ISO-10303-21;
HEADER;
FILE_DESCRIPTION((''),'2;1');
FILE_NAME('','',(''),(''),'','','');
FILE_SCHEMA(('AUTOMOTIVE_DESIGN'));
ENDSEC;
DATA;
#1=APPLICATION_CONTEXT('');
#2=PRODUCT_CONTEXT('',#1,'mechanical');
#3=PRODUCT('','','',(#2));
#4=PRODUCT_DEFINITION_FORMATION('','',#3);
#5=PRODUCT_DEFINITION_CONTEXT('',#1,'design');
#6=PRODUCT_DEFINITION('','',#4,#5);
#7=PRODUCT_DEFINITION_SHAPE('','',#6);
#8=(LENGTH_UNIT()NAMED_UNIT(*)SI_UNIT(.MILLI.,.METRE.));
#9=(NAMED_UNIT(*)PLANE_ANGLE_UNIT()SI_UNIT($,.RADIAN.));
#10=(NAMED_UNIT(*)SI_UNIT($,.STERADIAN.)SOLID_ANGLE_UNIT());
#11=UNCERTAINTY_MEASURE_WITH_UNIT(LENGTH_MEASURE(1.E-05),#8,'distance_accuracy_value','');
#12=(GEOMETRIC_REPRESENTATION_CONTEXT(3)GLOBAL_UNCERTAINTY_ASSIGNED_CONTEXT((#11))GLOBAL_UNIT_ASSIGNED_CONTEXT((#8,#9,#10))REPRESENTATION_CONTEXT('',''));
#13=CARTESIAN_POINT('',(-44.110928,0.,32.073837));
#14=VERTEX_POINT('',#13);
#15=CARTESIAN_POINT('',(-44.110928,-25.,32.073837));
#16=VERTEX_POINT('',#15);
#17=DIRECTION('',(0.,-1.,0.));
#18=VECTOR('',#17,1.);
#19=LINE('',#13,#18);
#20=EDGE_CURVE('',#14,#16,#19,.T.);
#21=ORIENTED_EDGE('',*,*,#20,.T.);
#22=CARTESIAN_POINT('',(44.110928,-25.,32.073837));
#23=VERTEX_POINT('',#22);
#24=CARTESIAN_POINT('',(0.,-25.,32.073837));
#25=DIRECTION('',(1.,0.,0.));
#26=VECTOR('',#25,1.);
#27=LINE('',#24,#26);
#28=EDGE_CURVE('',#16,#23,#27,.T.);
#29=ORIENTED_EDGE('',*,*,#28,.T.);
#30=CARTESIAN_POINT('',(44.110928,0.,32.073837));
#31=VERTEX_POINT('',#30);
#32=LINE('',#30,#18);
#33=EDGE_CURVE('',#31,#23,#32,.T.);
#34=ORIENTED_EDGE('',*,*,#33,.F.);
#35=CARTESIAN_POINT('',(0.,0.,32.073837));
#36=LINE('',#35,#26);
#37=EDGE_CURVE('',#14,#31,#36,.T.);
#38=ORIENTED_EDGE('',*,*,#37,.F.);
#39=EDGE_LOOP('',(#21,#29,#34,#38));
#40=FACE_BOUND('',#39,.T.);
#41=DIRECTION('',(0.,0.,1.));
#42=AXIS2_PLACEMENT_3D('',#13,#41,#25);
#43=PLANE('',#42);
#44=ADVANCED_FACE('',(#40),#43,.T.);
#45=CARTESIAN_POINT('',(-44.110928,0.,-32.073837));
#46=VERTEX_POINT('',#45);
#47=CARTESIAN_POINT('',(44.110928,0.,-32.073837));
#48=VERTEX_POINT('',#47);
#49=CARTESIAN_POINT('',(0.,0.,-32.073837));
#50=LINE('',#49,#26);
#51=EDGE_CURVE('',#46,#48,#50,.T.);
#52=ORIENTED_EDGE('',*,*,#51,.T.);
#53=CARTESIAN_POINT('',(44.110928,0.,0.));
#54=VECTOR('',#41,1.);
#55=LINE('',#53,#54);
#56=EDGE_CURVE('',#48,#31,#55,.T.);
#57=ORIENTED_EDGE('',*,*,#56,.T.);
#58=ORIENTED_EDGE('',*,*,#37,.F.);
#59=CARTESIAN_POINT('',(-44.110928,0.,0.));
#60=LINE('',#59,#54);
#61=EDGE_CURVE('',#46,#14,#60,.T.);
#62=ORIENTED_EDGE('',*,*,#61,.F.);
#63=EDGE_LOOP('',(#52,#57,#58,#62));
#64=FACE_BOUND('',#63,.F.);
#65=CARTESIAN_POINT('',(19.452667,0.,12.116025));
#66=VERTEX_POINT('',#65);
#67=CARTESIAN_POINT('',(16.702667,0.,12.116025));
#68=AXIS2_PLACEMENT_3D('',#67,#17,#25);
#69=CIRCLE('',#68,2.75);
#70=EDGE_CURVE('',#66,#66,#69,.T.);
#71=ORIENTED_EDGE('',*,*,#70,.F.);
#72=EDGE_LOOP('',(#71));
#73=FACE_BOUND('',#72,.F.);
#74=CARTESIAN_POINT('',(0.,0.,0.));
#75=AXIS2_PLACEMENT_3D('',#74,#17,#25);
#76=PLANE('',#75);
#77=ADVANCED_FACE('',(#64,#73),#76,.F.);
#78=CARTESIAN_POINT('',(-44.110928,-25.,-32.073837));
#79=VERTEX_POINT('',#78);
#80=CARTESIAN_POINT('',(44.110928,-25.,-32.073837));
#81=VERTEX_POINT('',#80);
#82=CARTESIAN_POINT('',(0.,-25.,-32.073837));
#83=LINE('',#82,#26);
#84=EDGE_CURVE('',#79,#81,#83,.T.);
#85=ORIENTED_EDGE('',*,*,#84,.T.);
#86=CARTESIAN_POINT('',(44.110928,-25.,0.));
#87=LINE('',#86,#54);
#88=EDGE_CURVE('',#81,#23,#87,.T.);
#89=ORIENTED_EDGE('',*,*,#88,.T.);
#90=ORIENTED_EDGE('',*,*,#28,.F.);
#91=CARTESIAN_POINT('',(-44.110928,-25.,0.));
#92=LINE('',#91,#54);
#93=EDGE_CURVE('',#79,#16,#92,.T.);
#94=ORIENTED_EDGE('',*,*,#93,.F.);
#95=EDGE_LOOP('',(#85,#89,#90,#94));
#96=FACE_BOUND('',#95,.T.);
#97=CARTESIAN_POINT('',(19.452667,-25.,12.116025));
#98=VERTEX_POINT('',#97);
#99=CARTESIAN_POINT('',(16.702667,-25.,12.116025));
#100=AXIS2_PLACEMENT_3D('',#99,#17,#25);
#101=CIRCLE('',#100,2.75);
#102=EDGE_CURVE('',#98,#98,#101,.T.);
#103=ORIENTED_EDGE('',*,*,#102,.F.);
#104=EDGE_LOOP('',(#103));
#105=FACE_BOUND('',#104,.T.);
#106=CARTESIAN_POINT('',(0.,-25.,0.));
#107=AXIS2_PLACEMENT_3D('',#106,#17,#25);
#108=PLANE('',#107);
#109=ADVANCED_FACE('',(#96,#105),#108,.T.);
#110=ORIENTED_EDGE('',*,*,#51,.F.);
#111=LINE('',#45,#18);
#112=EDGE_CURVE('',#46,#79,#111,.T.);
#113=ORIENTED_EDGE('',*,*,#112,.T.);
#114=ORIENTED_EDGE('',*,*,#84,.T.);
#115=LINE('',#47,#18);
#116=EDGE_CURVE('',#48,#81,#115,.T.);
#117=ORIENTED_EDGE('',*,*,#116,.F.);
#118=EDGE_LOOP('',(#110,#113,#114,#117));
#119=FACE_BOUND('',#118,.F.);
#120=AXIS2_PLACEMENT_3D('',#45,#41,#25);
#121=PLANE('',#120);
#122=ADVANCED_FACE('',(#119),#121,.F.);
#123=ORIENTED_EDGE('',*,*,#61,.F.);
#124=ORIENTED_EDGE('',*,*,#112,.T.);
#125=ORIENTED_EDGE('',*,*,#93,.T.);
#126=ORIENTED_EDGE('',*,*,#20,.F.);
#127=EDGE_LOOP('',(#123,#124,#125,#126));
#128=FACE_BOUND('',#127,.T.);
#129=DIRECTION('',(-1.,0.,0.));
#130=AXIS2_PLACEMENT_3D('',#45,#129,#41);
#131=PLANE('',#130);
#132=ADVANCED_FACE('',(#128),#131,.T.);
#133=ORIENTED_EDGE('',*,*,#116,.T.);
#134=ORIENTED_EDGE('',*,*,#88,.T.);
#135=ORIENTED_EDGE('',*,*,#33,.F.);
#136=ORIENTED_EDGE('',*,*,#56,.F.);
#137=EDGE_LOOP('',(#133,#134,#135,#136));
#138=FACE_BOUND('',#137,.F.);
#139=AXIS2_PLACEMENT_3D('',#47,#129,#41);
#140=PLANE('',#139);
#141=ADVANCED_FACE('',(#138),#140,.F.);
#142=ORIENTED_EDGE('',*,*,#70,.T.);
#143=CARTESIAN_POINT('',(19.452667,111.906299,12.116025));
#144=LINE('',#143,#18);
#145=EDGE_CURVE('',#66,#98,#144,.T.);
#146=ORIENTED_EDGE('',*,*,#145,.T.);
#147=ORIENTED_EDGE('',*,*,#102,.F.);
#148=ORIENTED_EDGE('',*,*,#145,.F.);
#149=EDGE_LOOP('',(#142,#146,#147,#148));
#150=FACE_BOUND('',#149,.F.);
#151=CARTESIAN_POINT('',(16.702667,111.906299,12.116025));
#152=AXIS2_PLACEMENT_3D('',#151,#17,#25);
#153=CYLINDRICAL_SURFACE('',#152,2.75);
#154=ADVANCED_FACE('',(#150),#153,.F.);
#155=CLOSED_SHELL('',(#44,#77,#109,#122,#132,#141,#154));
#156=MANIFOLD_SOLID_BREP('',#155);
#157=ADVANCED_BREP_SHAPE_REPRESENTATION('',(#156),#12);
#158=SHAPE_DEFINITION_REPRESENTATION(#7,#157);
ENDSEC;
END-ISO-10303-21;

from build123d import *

# Parameters (mm, degrees)
F0_W     = 88.2218554616
F0_H     = 64.1476735473
F1_DEPTH = 25
F3_D     = 5.5


with BuildPart() as f1:
    # F0 (on Front) → F1 (new body)
    with BuildSketch(Plane.XZ):
        Rectangle(F0_W, F0_H)
    extrude(amount=F1_DEPTH)

    # F3 (through all)
    with Locations(Plane(origin=(0, 0, 0), x_dir=(-1, 0, 0), z_dir=(0, 1, 0))):
        with Locations((-16.7026668787, 12.116025202)):
            Hole(F3_D / 2)


solid = f1.part
